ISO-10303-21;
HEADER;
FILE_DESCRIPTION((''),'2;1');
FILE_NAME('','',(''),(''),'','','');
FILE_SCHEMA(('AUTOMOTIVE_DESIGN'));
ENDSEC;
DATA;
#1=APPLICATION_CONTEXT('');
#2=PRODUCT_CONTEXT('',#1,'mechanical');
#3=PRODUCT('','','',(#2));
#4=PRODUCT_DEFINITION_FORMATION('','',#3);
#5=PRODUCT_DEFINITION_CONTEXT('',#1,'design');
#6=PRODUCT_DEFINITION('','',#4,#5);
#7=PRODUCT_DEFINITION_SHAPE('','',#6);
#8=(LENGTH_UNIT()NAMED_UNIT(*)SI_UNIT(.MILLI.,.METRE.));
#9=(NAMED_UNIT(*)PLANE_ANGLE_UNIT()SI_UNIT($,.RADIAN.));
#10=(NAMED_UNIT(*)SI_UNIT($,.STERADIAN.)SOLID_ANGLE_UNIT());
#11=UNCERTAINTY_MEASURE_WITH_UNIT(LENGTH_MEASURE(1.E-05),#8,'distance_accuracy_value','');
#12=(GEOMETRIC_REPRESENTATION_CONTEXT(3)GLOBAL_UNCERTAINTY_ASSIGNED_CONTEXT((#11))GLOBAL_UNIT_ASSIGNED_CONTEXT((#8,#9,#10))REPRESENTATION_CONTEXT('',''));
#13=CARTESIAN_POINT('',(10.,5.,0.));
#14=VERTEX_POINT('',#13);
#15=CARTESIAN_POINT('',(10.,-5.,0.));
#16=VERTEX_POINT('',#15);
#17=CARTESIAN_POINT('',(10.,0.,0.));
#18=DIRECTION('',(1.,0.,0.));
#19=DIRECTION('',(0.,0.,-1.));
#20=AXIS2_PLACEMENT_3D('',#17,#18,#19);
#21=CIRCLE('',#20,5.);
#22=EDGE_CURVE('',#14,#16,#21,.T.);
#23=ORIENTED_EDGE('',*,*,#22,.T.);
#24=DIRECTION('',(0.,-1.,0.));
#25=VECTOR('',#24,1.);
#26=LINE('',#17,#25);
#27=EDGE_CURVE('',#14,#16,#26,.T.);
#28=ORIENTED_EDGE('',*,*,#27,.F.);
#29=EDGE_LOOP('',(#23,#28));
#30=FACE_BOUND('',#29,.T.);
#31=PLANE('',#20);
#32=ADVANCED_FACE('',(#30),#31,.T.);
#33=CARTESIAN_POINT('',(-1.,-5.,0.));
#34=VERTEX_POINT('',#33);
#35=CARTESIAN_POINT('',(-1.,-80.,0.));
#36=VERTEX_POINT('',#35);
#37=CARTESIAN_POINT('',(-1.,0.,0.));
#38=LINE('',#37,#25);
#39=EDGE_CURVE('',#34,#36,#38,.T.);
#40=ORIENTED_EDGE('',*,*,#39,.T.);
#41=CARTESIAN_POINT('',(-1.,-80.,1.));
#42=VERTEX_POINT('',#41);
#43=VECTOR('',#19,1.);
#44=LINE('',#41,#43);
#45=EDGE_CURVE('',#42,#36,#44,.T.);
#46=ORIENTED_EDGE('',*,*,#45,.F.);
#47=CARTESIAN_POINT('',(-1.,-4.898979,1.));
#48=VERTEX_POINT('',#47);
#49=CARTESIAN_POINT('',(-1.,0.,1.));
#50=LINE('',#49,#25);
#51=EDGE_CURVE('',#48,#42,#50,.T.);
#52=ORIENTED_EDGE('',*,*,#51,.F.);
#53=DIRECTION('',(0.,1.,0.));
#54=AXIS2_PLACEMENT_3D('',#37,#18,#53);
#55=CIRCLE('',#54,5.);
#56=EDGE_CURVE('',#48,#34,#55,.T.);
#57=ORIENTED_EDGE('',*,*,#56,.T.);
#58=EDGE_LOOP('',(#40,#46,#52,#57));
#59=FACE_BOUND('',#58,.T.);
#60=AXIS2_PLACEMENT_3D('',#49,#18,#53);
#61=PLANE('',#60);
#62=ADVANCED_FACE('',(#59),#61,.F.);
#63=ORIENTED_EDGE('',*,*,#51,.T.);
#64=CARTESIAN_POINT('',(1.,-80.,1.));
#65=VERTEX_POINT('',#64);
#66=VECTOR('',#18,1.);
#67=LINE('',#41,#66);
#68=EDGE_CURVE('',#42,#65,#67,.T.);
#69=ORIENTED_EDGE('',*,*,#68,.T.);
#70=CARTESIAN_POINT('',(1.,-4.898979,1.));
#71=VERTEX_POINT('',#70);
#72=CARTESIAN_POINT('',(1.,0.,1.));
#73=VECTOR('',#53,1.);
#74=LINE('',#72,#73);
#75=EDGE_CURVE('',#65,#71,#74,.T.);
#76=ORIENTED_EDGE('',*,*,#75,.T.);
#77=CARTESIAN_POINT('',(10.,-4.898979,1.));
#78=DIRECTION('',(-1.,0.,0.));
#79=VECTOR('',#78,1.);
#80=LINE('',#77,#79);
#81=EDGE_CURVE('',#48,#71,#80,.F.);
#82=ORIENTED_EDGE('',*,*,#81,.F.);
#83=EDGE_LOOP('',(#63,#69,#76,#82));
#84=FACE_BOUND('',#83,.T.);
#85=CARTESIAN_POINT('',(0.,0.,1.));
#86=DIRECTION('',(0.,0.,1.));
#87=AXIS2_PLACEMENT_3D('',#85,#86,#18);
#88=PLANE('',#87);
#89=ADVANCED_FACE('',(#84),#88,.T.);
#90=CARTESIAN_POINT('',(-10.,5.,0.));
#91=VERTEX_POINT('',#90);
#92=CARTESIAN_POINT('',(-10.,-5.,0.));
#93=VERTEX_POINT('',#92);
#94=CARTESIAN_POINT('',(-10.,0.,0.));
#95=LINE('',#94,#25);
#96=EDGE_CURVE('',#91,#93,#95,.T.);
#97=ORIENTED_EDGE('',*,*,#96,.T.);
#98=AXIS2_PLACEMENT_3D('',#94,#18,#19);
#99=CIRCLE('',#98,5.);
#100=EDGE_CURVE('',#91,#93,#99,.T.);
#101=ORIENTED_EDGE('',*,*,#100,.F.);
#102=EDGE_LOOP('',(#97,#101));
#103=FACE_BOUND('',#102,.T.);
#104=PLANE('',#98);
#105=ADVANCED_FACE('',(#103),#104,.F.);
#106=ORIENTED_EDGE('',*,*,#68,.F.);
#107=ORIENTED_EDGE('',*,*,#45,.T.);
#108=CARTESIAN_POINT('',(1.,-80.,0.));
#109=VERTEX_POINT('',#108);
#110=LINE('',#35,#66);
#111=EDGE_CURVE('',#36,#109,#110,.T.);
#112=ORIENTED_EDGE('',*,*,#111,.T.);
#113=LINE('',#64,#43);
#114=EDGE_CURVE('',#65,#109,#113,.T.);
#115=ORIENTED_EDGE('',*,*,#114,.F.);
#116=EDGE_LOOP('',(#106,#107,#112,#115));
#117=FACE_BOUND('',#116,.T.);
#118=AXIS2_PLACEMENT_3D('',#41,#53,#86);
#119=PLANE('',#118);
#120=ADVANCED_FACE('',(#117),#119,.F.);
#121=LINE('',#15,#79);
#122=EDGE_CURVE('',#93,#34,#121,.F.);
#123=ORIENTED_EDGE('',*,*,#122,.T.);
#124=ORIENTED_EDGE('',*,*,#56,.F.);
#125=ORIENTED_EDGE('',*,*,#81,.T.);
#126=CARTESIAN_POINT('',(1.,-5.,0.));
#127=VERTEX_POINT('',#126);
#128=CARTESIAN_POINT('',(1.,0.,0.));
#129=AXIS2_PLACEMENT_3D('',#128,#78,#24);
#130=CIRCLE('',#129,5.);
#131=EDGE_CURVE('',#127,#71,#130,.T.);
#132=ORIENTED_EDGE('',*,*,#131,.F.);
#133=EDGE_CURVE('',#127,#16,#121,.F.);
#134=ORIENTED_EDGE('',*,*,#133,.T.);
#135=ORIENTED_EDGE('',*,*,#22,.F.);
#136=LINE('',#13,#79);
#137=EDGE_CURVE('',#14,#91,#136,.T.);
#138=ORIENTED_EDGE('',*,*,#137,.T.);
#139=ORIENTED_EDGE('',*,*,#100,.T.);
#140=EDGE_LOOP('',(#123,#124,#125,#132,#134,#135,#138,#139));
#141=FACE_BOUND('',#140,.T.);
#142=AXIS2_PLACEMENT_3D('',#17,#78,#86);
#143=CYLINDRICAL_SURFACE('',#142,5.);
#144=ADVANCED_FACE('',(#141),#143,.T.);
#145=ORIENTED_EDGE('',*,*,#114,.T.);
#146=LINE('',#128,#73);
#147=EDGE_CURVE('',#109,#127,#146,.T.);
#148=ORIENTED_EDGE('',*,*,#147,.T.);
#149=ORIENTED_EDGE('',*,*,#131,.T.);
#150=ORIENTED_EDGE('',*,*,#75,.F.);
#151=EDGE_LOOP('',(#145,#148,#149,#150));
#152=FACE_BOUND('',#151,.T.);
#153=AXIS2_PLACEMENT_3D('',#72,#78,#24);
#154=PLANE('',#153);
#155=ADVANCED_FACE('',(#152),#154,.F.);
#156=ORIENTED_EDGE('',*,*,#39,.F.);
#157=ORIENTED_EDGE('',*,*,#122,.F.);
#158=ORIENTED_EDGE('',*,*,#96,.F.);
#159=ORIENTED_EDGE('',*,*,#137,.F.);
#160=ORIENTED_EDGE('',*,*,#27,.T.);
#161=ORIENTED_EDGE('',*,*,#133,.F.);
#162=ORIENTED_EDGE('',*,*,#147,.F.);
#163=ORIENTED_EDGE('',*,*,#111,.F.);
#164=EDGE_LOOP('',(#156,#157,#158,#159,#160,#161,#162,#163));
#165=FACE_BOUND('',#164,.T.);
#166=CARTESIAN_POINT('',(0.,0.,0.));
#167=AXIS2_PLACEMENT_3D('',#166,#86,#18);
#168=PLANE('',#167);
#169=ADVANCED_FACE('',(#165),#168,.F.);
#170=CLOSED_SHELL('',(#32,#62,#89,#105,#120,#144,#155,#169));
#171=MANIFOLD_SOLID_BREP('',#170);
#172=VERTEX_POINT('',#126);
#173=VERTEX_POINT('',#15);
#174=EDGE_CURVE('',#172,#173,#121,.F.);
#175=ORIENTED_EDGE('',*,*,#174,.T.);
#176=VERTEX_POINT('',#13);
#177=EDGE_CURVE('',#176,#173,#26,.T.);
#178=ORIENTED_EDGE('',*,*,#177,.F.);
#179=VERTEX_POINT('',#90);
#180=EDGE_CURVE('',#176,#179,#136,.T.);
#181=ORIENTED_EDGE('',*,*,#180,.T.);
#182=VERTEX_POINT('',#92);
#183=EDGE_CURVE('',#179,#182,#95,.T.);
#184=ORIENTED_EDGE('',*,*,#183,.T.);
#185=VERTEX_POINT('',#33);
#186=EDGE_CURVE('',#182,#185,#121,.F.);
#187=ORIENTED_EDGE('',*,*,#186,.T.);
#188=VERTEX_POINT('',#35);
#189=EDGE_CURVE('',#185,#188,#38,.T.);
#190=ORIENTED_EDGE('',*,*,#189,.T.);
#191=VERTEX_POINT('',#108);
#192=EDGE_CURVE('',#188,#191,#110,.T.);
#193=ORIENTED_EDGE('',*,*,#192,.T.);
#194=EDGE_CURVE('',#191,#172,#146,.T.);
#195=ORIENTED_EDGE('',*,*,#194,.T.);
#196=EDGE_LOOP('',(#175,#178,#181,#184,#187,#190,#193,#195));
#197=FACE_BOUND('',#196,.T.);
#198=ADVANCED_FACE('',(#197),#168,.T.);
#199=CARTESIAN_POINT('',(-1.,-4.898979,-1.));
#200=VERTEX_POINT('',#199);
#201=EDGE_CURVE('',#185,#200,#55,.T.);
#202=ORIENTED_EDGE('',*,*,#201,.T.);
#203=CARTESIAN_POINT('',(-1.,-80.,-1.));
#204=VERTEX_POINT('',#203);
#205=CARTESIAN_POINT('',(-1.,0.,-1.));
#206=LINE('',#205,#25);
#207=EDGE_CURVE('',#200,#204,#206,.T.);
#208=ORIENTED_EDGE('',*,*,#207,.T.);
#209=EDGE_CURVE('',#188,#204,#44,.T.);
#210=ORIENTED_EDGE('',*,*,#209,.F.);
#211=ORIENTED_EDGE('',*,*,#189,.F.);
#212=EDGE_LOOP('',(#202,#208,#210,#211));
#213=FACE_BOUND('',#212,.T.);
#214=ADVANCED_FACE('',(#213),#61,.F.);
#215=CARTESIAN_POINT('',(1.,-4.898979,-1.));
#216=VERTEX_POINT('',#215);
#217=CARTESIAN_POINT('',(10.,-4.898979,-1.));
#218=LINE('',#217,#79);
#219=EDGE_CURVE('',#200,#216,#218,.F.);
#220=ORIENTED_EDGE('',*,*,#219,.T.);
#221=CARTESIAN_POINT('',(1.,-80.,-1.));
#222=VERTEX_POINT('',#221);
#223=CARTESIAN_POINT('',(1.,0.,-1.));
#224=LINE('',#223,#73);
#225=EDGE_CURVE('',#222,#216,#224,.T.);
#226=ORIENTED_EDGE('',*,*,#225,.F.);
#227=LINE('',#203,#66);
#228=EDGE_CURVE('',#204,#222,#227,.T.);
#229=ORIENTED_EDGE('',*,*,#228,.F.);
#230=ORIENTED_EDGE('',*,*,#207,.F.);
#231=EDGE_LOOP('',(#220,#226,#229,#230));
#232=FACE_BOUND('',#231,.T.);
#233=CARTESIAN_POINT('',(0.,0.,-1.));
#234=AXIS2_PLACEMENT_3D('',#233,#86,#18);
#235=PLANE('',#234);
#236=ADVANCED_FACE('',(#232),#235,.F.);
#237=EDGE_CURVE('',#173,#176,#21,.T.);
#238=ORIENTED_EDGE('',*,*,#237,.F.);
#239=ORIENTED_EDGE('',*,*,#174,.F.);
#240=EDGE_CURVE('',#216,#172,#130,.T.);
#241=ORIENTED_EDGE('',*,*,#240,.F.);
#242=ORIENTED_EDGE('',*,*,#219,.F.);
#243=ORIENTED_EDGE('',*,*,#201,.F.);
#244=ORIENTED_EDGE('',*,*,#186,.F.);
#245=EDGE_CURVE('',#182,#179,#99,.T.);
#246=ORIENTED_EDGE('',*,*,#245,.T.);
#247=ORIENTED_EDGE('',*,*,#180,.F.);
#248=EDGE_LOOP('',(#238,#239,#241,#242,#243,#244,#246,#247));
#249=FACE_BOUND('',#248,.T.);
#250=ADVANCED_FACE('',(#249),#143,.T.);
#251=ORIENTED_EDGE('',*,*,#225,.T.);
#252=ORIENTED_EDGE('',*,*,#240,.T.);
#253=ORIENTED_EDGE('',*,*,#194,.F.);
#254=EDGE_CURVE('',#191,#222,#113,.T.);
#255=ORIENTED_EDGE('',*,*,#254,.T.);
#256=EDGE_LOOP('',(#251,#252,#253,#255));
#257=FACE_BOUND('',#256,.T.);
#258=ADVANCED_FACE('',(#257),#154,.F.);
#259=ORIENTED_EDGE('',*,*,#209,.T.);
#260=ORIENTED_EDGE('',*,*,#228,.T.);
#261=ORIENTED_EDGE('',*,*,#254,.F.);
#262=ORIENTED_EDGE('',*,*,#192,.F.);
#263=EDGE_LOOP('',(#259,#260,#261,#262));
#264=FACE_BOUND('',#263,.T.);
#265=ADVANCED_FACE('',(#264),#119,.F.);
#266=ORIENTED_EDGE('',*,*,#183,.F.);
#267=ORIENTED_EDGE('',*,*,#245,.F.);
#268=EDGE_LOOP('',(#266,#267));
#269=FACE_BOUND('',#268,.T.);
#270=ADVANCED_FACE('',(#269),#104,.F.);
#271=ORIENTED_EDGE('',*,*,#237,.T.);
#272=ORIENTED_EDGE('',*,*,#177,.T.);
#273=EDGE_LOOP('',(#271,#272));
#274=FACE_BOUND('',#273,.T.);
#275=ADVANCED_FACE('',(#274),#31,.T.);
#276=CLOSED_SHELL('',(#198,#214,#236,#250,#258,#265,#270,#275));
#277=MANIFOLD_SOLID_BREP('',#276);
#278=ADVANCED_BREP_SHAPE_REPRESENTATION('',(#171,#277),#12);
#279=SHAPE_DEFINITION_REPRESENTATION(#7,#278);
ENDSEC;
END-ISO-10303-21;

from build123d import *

# Parameters (mm, degrees)
SKETCH1_R           = 5
BOSS_EXTRUDE1_DEPTH = 10
SKETCH2_W           = 2
SKETCH2_H           = 80
BOSS_EXTRUDE2_DEPTH = 1


with BuildPart() as part:
    # Sketch1 → Boss-Extrude1 (new, symmetric)
    with BuildSketch(Plane(origin=(0, 0, 0), x_dir=(0, 0, -1), z_dir=(1, 0, 0))):
        Circle(SKETCH1_R)
    extrude(amount=BOSS_EXTRUDE1_DEPTH, both=True)

    # Sketch2 → Boss-Extrude2 (add, symmetric)
    with BuildSketch(Plane.XY):
        with Locations((0, -40)):
            Rectangle(SKETCH2_W, SKETCH2_H)
    extrude(amount=BOSS_EXTRUDE2_DEPTH, both=True)


with BuildPart() as body_2:
    # Split1: the piece on the far side of the plane
    add(part.part)
    split(bisect_by=Plane.XY, keep=Keep.BOTTOM)


with BuildPart() as part_1:
    add(part.part)

    # Split1
    split(bisect_by=Plane.XY, keep=Keep.TOP)


solid = Compound([body_2.part, part_1.part])
